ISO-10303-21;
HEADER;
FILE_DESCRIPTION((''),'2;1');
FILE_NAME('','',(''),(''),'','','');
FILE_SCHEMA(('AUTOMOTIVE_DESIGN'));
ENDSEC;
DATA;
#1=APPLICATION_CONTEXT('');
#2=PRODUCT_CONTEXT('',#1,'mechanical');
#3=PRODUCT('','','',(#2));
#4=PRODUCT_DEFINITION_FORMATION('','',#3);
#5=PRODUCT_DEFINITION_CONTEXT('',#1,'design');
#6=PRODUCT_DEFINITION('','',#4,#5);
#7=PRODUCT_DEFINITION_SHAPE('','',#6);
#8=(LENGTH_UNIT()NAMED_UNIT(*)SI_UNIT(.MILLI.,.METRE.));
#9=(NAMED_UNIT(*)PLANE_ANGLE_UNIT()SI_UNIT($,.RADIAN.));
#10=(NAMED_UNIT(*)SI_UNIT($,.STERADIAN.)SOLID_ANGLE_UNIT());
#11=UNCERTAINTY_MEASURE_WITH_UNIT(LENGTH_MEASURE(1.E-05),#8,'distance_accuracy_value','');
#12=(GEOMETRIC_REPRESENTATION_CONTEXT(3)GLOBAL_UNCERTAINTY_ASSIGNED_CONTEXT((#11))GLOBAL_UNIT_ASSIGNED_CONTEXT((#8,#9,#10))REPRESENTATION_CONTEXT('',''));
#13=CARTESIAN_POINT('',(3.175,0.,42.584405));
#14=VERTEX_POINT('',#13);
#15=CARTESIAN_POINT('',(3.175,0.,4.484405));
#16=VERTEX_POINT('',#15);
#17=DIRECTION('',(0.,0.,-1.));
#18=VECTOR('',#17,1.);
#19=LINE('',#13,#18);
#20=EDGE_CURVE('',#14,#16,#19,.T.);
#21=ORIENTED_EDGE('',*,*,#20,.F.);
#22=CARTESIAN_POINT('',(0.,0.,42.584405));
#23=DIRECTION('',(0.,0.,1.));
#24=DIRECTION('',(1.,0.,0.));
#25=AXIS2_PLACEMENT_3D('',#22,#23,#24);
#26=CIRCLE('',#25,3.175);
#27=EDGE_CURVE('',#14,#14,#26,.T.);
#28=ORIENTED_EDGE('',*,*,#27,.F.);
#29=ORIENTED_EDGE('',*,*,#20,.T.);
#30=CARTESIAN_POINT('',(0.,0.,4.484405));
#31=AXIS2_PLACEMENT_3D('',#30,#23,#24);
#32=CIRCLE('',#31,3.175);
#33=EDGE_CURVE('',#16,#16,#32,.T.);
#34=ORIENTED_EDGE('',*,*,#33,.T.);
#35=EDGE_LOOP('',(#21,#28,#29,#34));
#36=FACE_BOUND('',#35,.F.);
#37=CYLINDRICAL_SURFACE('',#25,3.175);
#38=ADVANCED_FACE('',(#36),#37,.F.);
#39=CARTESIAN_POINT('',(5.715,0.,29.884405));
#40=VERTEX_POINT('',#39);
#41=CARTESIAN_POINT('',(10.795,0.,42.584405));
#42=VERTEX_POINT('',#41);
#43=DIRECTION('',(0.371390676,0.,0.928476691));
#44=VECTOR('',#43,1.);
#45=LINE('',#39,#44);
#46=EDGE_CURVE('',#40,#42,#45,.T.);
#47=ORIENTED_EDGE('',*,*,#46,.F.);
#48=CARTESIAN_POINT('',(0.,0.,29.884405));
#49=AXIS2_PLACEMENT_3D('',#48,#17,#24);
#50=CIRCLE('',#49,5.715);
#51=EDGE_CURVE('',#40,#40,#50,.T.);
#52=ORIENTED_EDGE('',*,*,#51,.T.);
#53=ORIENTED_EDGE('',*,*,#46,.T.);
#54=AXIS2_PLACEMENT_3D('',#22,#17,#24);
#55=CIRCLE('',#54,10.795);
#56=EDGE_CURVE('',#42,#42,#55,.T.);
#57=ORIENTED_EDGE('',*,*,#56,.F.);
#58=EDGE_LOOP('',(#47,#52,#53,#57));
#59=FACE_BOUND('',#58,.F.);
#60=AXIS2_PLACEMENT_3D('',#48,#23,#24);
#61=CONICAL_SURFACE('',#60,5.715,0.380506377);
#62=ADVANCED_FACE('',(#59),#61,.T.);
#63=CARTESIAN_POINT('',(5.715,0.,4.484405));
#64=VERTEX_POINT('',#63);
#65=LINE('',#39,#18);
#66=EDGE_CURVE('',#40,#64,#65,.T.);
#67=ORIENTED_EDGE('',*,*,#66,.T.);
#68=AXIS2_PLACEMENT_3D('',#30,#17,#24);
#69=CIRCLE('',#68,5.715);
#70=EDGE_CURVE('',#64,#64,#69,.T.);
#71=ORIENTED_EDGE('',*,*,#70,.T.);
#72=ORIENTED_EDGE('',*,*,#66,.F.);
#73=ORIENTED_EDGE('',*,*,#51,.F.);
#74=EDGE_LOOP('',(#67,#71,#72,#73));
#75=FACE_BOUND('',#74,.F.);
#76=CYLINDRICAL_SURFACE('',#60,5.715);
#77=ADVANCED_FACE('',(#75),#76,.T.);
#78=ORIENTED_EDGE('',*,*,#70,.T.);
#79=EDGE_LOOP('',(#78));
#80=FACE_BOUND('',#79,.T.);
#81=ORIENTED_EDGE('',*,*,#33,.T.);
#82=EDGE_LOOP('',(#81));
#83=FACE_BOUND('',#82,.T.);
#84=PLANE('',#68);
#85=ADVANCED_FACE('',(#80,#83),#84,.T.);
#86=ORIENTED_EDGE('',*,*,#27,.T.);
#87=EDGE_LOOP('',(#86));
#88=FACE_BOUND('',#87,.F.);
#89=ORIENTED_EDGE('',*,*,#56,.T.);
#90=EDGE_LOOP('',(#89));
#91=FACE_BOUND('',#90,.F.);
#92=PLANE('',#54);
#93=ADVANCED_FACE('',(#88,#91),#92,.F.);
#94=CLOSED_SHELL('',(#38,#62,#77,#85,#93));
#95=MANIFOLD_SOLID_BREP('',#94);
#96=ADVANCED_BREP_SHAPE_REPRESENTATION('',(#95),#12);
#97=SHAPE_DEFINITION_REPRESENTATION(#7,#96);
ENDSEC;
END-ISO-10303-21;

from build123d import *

# Parameters (mm, degrees)
F2_R     = 5.715
F3_DEPTH = 25.4
F4_R     = 3.175
F5_DEPTH = 38.1


with BuildPart() as f1:
    # F0 (on Front) → F1 (revolve)
    with BuildSketch(Plane.XZ):
        Polygon((10.795, 42.584405), (0, 42.584405), (0, 29.884405), (5.715, 29.884405), align=None)
    revolve(axis=Axis((0, 0, 36.234405), (0, 0, -1)))

    # F2 (on face) → F3 (join)
    with BuildSketch(Plane(origin=(0, 0, 29.884405), x_dir=(1, 0, 0), z_dir=(0, 0, -1))):
        Circle(F2_R)
    extrude(amount=F3_DEPTH)

    # F4 (on face) → F5 (cut)
    with BuildSketch(Plane.XY.offset(42.584405)):
        Circle(F4_R)
    extrude(amount=-F5_DEPTH, mode=Mode.SUBTRACT)


solid = f1.part
